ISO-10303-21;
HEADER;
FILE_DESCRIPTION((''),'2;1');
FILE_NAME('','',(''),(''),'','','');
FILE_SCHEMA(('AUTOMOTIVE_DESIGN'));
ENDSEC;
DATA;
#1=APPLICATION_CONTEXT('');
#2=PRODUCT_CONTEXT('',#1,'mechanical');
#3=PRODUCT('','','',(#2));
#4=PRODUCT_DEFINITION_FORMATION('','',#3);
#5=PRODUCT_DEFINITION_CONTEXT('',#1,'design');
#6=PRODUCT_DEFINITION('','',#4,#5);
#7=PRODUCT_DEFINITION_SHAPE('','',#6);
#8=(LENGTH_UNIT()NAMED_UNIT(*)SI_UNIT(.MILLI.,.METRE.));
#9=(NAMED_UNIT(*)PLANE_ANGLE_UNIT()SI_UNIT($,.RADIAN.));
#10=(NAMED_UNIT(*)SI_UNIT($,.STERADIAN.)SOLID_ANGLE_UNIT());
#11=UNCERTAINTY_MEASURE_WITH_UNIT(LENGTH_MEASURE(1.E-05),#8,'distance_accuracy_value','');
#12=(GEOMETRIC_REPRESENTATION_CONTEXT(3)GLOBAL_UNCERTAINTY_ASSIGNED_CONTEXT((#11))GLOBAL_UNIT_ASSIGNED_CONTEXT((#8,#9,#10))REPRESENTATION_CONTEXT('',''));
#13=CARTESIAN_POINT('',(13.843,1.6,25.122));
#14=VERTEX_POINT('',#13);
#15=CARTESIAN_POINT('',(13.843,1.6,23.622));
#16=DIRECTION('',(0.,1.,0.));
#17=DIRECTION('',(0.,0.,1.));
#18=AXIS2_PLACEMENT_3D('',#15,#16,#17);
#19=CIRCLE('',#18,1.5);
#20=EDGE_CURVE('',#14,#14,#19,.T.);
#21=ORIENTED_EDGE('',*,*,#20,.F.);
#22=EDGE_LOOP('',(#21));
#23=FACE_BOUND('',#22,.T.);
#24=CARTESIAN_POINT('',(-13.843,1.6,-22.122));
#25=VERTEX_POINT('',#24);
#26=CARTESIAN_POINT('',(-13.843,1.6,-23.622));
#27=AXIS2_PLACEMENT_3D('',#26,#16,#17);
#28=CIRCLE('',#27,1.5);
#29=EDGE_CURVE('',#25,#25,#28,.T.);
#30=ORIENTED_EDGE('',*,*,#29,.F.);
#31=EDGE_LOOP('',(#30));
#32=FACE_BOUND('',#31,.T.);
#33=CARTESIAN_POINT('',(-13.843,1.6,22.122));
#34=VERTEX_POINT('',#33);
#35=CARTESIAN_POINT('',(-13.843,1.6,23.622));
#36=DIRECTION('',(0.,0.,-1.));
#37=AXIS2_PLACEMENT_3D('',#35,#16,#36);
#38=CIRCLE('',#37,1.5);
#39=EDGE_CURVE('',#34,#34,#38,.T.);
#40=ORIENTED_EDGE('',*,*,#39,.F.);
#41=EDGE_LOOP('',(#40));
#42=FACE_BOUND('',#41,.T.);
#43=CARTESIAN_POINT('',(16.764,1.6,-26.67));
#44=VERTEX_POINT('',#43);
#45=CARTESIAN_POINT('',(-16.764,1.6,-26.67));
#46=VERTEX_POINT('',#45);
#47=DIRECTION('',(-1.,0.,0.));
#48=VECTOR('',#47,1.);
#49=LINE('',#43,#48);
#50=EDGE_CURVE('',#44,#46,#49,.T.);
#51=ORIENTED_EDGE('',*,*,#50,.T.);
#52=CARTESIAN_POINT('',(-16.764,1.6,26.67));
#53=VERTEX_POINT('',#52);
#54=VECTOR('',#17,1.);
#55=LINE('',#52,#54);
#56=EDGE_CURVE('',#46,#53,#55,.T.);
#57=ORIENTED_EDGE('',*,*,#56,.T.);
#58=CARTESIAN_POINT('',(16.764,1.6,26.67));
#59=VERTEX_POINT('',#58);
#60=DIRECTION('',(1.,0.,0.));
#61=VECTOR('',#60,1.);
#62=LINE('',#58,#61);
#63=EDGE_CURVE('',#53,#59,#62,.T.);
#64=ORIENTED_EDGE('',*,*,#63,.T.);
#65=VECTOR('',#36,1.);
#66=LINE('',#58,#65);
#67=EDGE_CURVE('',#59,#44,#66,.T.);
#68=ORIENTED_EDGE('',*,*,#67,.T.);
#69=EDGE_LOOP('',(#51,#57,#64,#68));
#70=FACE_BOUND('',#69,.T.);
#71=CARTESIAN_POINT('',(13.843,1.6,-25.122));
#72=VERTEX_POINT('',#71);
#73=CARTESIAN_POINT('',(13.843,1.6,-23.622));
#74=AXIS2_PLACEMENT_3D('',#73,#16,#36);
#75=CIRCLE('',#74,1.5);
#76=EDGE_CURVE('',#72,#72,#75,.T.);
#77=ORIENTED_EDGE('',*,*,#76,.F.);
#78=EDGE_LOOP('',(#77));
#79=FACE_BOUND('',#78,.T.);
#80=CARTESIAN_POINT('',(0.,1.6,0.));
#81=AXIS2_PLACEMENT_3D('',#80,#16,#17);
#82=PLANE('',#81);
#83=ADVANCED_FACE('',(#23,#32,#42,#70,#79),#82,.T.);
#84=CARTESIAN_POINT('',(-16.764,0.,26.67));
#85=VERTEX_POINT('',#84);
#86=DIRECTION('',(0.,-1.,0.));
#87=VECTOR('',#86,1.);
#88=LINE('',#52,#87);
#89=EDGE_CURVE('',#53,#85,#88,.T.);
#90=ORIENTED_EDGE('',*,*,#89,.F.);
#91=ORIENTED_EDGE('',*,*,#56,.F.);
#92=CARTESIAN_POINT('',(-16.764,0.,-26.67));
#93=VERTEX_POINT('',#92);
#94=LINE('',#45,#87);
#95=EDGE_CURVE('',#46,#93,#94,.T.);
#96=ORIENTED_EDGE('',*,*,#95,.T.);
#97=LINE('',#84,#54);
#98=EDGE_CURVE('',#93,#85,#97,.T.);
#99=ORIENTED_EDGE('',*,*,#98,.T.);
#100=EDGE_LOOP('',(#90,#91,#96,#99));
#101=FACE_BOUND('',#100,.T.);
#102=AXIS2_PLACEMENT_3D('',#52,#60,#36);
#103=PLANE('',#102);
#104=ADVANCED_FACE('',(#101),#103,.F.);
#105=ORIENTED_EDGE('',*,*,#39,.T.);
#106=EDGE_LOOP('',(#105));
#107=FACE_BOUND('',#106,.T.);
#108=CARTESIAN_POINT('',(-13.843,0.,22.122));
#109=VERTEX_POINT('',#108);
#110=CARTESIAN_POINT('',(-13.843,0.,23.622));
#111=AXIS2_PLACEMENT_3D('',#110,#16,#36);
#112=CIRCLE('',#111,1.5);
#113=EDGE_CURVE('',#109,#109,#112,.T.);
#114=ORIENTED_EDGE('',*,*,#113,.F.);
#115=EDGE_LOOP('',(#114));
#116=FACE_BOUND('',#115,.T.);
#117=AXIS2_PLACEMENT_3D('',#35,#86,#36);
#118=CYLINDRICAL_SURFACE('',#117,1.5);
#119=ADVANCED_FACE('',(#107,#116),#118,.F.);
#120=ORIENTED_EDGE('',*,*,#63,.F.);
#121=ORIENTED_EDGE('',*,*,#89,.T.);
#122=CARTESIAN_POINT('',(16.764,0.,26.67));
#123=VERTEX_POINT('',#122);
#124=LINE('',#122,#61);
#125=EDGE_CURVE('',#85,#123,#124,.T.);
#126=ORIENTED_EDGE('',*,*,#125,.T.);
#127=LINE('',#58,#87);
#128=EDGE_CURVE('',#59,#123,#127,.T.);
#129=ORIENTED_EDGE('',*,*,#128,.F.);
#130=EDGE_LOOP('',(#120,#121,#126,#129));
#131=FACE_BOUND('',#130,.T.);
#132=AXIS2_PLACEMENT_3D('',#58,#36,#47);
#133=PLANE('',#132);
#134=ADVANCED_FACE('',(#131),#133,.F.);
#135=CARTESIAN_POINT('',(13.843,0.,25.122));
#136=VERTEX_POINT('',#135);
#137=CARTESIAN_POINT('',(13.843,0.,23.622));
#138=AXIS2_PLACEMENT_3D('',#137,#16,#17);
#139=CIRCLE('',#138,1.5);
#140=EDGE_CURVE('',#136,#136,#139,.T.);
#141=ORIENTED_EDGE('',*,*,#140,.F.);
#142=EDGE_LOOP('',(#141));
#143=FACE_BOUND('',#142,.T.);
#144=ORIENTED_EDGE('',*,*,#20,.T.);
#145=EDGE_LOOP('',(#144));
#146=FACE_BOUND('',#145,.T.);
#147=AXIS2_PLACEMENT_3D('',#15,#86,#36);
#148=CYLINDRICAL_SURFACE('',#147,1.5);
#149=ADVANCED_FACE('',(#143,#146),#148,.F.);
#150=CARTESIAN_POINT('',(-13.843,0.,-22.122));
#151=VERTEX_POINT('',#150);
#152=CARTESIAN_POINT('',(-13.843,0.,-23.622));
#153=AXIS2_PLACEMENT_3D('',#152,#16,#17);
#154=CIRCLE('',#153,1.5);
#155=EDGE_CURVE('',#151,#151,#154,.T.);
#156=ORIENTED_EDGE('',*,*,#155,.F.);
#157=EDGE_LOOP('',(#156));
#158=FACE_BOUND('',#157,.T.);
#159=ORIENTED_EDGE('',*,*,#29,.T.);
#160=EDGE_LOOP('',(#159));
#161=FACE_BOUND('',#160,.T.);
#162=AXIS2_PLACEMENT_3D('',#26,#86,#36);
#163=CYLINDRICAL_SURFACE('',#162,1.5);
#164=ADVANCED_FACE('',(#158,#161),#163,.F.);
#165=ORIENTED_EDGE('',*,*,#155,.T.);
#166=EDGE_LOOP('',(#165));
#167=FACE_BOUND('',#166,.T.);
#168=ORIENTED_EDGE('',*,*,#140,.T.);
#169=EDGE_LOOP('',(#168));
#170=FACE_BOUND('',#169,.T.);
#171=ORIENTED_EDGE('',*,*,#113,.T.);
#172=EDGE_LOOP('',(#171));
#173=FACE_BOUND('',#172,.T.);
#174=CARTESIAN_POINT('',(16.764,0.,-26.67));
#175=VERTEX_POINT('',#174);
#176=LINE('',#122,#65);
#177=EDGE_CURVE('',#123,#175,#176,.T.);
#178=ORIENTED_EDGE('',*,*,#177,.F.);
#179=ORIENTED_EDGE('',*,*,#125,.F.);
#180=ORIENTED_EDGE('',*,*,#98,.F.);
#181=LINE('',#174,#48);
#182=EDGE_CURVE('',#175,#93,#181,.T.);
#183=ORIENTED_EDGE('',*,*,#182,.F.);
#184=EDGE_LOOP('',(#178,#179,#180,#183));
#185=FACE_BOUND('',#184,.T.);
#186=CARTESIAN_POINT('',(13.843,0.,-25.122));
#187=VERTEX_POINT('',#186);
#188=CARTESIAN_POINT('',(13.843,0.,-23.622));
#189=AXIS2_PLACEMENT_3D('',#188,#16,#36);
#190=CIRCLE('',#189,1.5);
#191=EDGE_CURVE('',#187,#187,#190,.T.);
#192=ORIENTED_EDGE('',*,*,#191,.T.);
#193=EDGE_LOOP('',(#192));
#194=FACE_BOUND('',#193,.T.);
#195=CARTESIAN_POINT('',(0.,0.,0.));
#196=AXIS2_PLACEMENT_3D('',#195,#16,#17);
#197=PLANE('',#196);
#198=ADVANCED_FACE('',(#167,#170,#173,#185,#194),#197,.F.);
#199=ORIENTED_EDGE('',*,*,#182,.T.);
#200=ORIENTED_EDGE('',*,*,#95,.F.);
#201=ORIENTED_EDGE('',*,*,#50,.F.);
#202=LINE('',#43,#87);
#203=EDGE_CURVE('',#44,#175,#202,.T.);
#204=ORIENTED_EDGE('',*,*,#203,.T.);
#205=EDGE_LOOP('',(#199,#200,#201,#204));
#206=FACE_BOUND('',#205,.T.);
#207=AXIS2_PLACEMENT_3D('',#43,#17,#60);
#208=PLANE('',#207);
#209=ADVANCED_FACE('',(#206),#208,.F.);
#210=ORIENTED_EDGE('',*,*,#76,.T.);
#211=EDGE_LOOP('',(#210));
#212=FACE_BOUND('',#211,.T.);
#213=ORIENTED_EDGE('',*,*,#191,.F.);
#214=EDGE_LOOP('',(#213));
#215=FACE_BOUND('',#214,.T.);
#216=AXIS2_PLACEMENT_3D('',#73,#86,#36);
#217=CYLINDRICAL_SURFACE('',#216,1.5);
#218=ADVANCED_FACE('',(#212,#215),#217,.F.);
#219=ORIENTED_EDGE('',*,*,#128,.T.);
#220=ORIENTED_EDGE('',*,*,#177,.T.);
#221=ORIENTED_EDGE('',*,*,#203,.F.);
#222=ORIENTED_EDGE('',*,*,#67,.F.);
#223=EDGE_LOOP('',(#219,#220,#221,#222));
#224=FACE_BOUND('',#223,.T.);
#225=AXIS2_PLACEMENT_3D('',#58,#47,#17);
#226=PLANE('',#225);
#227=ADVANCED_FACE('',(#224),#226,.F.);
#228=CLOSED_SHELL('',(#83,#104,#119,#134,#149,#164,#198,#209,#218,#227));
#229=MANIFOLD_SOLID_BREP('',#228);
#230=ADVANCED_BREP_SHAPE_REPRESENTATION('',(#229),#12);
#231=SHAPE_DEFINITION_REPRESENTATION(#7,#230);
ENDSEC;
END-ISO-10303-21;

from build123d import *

# Parameters (mm, degrees)
SKETCH1_W           = 33.528
SKETCH1_H           = 53.34
SKETCH1_R           = 1.5
BOSS_EXTRUDE1_DEPTH = 1.6


with BuildPart() as part:
    # Sketch1 → Boss-Extrude1 (new body)
    with BuildSketch(Plane(origin=(0, 0, 0), x_dir=(1, 0, 0), z_dir=(0, 1, 0))):
        Rectangle(SKETCH1_W, SKETCH1_H)
        with Locations((-13.843, 23.622)):
            Circle(SKETCH1_R, mode=Mode.SUBTRACT)
        with Locations((13.843, 23.622)):
            Circle(SKETCH1_R, mode=Mode.SUBTRACT)
        with Locations((13.843, -23.622)):
            Circle(SKETCH1_R, mode=Mode.SUBTRACT)
        with Locations((-13.843, -23.622)):
            Circle(SKETCH1_R, mode=Mode.SUBTRACT)
    extrude(amount=BOSS_EXTRUDE1_DEPTH)


solid = part.part
